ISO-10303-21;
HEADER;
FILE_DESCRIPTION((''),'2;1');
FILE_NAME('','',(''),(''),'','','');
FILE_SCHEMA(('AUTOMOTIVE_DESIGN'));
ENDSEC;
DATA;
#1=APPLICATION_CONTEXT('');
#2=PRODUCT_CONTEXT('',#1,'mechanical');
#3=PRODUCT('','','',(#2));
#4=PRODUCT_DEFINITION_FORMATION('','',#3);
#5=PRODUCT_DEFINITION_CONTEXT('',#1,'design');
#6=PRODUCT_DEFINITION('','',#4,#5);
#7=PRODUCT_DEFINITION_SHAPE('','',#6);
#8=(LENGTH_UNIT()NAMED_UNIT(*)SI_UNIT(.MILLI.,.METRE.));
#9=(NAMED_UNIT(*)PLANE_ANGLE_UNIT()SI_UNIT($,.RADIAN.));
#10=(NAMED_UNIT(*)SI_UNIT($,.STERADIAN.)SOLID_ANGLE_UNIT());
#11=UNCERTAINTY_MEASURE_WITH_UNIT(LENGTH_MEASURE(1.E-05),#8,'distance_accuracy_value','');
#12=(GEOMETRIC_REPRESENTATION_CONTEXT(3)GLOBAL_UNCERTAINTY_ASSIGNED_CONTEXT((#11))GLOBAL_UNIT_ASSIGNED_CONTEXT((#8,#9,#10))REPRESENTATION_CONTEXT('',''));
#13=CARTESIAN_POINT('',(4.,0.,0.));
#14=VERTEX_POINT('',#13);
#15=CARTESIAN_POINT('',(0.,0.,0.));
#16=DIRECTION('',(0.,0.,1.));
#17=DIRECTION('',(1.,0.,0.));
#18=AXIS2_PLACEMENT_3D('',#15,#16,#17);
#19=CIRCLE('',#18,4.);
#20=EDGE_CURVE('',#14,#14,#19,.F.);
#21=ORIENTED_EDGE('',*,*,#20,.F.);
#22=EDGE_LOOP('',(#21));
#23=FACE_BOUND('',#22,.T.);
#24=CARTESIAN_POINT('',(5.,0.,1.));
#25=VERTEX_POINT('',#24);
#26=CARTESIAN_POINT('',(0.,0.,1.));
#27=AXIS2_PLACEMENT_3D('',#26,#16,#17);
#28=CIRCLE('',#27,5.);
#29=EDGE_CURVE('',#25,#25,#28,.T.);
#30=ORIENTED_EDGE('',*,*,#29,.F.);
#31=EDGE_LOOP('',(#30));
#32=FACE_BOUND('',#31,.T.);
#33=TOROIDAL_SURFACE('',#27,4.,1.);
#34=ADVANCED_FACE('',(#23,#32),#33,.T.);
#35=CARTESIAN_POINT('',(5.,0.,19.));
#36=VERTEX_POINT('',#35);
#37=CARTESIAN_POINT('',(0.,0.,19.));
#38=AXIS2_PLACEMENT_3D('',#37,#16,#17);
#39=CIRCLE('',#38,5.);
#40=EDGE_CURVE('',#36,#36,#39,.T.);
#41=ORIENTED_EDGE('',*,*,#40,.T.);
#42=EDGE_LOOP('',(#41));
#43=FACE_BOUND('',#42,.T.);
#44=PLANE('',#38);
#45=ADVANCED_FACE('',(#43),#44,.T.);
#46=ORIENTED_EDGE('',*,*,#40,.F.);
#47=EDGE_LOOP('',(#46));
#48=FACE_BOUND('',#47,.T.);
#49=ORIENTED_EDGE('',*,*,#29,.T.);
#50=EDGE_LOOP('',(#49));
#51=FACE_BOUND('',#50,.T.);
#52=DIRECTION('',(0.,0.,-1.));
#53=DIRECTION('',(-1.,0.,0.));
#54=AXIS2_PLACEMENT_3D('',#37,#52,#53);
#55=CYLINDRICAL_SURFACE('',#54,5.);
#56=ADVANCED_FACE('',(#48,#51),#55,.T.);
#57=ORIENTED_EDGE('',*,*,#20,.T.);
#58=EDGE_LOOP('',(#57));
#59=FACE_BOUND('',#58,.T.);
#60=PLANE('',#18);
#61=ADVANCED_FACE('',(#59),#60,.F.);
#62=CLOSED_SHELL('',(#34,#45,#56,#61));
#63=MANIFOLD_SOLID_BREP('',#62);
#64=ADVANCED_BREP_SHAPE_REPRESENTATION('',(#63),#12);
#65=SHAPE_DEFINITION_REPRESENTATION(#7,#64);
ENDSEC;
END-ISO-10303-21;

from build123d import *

# Parameters (mm, degrees)
SKIZZE1_R                       = 5
AUFSATZ_LINEAR_AUSTRAGEN1_DEPTH = 19
VERRUNDUNG1_R                   = 1


with BuildPart() as part:
    # Skizze1 → Aufsatz-Linear austragen1 (new body)
    with BuildSketch(Plane.XY):
        Circle(SKIZZE1_R)
    extrude(amount=AUFSATZ_LINEAR_AUSTRAGEN1_DEPTH)

    # Verrundung1
    verrundung1_edges = [part.edges().sort_by_distance(p)[0] for p in [
        (-5, 0, 0),
    ]]
    fillet(verrundung1_edges, radius=VERRUNDUNG1_R)


solid = part.part
